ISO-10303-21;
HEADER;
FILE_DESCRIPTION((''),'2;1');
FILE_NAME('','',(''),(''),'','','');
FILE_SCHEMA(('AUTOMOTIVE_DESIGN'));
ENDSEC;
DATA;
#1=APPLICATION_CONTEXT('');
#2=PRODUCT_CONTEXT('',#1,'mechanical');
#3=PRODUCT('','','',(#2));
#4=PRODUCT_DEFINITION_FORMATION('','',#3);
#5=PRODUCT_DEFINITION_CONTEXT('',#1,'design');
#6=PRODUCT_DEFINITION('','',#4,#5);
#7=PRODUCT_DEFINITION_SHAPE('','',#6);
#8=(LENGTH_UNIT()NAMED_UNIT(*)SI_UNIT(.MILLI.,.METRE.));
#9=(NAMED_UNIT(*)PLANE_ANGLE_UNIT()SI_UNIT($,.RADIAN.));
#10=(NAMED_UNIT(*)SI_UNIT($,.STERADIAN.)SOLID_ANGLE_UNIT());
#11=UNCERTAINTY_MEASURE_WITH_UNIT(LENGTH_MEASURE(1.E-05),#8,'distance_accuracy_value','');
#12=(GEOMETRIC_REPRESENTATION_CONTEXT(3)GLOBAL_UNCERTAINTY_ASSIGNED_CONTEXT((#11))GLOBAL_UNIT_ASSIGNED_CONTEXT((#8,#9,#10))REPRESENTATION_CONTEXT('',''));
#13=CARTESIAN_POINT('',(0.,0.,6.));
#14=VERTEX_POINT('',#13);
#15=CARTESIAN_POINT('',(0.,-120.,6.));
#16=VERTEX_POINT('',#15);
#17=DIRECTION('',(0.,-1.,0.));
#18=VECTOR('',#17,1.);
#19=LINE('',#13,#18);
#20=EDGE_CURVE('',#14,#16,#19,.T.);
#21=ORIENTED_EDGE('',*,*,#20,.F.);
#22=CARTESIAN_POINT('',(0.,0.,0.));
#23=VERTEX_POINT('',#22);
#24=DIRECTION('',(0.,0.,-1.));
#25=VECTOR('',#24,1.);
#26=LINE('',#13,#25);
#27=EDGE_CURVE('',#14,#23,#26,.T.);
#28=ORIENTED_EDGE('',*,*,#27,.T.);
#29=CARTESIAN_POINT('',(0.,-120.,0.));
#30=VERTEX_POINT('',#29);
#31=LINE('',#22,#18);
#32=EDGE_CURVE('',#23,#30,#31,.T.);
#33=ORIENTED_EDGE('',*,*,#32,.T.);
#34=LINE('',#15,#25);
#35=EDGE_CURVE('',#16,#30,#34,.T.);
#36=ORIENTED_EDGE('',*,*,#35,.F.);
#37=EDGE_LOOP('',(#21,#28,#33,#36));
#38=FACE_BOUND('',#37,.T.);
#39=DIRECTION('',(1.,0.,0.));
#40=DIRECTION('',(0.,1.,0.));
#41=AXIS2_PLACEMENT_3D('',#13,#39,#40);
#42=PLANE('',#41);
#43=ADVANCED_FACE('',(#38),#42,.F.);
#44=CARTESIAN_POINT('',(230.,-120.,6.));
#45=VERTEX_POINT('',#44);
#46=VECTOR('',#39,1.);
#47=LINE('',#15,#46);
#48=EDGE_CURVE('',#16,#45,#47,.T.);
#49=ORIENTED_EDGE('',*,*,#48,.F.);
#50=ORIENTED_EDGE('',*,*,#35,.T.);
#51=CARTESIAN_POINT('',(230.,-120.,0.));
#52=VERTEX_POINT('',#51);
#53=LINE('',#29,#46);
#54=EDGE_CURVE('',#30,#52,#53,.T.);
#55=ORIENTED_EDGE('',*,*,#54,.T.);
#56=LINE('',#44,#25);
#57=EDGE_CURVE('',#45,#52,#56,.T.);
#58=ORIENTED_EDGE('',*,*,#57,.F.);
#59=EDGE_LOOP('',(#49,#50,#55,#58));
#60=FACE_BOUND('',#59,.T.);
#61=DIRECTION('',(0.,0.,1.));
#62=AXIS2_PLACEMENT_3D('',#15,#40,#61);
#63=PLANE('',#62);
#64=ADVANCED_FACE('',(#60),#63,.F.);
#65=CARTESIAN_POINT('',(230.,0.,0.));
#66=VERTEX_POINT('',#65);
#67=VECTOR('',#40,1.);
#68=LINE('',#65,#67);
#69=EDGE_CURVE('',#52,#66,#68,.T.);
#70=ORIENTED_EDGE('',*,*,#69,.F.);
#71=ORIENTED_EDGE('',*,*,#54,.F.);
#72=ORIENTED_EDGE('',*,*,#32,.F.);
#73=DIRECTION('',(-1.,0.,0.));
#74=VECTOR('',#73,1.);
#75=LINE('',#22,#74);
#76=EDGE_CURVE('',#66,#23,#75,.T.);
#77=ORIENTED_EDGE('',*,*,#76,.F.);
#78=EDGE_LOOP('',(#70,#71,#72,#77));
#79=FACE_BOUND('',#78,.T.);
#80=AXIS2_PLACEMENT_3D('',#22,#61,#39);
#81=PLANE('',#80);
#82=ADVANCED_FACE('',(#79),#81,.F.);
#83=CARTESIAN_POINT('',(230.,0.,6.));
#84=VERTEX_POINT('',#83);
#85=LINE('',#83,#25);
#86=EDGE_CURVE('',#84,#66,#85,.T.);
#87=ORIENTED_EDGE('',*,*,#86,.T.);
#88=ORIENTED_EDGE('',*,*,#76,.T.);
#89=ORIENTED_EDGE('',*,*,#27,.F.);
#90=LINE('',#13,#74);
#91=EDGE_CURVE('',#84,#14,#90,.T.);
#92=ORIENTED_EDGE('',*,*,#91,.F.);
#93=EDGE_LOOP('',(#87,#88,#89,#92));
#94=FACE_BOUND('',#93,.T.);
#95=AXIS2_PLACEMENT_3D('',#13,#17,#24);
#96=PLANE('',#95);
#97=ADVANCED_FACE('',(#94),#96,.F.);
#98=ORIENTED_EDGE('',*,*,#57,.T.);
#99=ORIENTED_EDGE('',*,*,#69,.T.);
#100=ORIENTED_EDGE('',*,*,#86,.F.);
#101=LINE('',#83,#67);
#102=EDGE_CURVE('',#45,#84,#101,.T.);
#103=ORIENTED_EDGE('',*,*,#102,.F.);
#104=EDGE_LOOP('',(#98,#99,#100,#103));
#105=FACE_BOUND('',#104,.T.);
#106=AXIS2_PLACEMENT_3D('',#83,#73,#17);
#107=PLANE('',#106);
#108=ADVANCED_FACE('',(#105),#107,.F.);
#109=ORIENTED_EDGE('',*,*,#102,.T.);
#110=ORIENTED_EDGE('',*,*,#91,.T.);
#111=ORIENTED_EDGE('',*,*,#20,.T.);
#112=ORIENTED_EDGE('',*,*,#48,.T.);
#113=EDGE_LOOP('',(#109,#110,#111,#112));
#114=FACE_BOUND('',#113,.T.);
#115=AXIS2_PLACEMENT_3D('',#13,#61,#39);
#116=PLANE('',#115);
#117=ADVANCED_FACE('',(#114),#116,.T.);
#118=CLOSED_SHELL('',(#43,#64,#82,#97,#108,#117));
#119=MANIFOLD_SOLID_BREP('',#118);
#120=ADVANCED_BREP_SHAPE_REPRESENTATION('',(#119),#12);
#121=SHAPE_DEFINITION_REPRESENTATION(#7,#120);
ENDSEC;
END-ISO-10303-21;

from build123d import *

# Parameters (mm, degrees)
ESBO_O1_W                = 230
ESBO_O1_H                = 120
RESSALTO_EXTRUS_O1_DEPTH = 6


with BuildPart() as part:
    # Esboço1 → Ressalto-extrusão1 (new body)
    with BuildSketch(Plane.XY):
        with Locations((115, -60)):
            Rectangle(ESBO_O1_W, ESBO_O1_H)
    extrude(amount=RESSALTO_EXTRUS_O1_DEPTH)


solid = part.part
